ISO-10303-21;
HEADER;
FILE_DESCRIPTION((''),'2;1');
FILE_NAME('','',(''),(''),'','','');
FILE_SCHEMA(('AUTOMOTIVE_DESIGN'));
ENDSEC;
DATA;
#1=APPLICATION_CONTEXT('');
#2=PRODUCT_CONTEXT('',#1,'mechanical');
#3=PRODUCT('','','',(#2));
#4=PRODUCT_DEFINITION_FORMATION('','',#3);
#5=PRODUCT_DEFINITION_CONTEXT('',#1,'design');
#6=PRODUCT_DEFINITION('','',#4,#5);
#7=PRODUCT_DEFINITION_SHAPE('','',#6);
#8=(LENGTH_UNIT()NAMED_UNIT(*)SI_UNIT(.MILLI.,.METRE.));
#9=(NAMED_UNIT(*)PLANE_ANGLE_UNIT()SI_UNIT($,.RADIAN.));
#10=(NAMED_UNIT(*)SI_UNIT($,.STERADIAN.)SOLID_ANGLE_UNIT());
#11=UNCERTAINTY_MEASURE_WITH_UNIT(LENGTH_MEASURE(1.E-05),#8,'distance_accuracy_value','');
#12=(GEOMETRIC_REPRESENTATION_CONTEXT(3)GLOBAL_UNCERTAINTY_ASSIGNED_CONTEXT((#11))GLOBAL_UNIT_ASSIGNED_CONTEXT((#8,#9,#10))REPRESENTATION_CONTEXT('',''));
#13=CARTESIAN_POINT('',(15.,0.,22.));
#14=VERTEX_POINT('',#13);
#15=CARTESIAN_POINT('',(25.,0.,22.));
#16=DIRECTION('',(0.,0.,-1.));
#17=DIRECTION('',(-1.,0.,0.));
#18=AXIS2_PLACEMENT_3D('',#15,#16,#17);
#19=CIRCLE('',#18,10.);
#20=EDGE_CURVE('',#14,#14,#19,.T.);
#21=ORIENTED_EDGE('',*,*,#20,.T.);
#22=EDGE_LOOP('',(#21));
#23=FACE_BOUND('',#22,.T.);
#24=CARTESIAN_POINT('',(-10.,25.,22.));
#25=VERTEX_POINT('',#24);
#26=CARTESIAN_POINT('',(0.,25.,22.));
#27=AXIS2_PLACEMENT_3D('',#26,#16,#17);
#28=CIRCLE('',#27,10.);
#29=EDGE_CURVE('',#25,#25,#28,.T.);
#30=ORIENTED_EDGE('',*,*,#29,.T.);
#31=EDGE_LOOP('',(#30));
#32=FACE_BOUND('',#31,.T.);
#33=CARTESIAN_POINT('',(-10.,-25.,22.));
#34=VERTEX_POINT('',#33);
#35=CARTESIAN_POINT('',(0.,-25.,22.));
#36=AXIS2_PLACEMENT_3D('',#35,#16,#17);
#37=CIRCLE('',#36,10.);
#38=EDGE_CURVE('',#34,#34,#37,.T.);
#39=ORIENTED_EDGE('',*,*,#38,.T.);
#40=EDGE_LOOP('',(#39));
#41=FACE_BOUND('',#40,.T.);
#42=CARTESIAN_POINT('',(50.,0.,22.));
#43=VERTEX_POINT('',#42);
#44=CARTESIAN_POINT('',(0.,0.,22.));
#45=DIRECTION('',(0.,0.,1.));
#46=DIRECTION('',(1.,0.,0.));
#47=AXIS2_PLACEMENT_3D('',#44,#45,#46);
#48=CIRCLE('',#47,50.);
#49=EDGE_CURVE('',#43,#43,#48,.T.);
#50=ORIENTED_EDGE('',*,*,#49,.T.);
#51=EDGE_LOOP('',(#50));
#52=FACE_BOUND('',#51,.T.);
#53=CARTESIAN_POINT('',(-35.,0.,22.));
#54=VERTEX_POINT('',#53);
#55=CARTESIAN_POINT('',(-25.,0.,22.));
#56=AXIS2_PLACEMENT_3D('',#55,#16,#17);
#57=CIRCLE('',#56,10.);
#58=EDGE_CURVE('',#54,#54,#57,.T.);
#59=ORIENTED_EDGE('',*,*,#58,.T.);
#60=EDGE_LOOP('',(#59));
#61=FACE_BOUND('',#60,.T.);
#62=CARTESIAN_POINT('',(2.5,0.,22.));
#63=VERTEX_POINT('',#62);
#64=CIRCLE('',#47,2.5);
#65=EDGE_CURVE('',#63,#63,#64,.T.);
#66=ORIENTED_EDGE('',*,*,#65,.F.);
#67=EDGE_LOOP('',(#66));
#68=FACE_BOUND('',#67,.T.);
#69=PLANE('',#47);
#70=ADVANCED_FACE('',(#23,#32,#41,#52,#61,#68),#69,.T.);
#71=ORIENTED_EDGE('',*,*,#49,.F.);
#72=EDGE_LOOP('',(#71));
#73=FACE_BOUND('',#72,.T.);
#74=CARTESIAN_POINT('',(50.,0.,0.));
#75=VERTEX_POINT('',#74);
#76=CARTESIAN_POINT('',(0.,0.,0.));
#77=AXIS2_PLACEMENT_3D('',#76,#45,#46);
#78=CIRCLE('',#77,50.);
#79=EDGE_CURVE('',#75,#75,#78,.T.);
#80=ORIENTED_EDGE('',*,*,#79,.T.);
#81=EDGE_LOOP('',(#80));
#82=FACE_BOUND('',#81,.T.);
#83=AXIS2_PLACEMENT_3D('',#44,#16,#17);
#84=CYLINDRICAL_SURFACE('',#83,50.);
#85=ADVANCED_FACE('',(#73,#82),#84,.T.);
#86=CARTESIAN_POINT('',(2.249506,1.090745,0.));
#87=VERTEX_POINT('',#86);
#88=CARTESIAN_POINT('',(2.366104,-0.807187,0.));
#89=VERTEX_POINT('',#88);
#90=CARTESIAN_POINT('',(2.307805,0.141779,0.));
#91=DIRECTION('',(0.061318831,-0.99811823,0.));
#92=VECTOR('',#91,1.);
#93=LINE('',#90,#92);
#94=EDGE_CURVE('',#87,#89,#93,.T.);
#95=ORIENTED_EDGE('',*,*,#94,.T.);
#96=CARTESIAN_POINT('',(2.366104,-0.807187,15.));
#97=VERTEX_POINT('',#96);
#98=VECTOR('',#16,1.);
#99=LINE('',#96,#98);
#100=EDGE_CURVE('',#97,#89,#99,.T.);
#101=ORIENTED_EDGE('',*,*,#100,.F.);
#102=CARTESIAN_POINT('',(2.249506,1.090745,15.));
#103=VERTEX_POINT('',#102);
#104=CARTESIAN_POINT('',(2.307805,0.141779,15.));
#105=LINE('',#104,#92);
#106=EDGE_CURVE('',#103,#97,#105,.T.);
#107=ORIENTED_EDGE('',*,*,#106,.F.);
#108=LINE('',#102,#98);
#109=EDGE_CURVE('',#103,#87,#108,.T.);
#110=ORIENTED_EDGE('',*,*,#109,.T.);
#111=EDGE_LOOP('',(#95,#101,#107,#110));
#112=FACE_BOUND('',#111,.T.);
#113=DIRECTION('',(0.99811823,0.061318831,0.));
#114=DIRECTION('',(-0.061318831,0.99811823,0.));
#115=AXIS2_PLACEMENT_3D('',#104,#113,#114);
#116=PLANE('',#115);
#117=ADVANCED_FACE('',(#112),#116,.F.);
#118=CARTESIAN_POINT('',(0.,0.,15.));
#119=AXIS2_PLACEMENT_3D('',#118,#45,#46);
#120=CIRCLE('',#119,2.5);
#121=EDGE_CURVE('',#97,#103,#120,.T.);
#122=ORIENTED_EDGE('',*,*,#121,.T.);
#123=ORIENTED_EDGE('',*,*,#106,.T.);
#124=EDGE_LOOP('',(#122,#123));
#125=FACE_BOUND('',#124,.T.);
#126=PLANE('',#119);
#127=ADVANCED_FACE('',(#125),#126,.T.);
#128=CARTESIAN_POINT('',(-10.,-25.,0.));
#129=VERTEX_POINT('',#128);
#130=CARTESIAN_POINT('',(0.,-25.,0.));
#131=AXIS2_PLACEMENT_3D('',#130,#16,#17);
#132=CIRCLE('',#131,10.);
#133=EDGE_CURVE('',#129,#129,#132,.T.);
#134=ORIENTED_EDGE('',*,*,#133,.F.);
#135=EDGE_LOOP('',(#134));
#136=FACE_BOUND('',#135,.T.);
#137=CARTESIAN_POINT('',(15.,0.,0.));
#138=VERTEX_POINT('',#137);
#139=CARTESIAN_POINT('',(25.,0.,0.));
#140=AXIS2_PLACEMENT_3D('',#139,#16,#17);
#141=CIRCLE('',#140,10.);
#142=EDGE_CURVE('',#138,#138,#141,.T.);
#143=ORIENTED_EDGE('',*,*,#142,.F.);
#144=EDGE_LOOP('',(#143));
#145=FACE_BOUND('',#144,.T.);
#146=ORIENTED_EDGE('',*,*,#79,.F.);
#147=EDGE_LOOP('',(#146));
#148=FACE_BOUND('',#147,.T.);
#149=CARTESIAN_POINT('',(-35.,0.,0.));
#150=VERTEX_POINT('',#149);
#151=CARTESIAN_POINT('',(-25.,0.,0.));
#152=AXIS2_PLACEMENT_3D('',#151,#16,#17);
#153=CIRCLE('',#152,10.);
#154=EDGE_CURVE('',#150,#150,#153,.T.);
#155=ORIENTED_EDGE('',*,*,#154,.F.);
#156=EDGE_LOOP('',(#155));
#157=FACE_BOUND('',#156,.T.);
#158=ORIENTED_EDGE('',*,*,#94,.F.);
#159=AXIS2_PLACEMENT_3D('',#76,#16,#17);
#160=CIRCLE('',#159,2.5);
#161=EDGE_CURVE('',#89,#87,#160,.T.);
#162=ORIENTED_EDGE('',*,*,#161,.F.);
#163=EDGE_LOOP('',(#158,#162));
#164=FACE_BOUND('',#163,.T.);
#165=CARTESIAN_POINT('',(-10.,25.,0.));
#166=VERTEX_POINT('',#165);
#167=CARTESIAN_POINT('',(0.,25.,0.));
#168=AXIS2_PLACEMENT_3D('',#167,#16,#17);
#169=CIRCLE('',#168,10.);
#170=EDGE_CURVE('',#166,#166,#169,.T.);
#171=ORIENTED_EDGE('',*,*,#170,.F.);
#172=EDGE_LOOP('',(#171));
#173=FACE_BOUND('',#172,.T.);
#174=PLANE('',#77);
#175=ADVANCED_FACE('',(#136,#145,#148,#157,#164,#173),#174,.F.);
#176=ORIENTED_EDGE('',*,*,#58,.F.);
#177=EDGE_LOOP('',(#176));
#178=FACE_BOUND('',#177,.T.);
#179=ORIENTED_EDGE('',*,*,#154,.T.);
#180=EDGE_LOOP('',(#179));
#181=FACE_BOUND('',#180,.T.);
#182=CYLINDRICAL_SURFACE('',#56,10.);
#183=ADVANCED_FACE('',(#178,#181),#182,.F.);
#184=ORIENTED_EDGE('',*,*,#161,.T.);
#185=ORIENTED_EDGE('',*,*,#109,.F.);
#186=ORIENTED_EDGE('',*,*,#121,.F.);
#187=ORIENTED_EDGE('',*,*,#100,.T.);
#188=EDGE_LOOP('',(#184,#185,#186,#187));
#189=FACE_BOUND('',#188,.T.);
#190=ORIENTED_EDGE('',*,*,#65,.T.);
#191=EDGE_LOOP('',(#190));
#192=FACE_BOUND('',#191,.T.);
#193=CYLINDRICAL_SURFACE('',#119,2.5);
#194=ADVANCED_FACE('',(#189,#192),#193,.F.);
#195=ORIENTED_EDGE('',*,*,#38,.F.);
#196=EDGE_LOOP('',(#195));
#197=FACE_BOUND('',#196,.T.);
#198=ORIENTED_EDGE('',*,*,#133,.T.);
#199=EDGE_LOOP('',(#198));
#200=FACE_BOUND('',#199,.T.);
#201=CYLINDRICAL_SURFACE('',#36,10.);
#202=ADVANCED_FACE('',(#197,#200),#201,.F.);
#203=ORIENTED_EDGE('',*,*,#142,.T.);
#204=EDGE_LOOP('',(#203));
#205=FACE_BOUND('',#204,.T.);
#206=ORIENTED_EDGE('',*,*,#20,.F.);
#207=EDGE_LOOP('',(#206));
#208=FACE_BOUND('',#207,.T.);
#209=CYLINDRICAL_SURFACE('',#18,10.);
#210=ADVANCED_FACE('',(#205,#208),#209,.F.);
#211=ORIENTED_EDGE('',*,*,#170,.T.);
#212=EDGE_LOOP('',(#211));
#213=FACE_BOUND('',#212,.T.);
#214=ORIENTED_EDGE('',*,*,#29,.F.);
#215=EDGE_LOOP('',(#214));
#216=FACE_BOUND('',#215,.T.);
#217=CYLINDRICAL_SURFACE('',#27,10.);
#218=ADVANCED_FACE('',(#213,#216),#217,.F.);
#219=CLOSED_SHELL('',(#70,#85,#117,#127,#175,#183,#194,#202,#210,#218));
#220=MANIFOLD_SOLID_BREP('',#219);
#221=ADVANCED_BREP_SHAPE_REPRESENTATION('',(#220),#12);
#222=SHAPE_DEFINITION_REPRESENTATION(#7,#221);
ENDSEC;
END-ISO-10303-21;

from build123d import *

# Parameters (mm, degrees)
ESQUISSE1_R             = 50
BOSS_EXTRU_1_DEPTH      = 22
ESQUISSE2_R             = 2.5
ENL_V_MAT_EXTRU_1_DEPTH = 7
ENL_V_START             = -15
ENL_V_MAT_EXTRU_3_DEPTH = 15
ESQUISSE4_R             = 10
ENL_V_MAT_EXTRU_5_DEPTH = 22
ESQUISSE5_R             = 10
ENL_V_MAT_EXTRU_6_DEPTH = 22
ESQUISSE6_R             = 10
ENL_V_MAT_EXTRU_7_DEPTH = 22
ESQUISSE7_R             = 10
ENL_V_MAT_EXTRU_8_DEPTH = 22


with BuildPart() as part:
    # Esquisse1 → Boss.-Extru.1 (new body)
    with BuildSketch(Plane.XY):
        Circle(ESQUISSE1_R)
    extrude(amount=BOSS_EXTRU_1_DEPTH)

    # Esquisse2 → Enlèv. mat.-Extru.1 (cut)
    with BuildSketch(Plane.XY.offset(22)):
        Circle(ESQUISSE2_R)
    extrude(amount=-ENL_V_MAT_EXTRU_1_DEPTH, mode=Mode.SUBTRACT)

    # Esquisse3 → Enlèv. mat.-Extru.3 (cut)
    with BuildSketch(Plane(origin=(0, 0, 0), x_dir=(-1, 0, 0), z_dir=(0, 0, -1)).offset(ENL_V_START)):
        with BuildLine():
            ThreePointArc((2.5, 0), (0.559569372, 2.436571796), (-2.249505694, 1.09074476))
            Line((-2.249505694, 1.09074476), (-2.366104086, -0.807187373))
            ThreePointArc((-2.366104086, -0.807187373), (0.409108657, -2.466298868), (2.5, 0))
        make_face()
    extrude(amount=ENL_V_MAT_EXTRU_3_DEPTH, mode=Mode.SUBTRACT)

    # Esquisse4 → Enlèv. mat.-Extru.5 (cut)
    with BuildSketch(Plane(origin=(0, 0, 0), x_dir=(-1, 0, 0), z_dir=(0, 0, -1))):
        with Locations((0, 25)):
            Circle(ESQUISSE4_R)
    extrude(amount=-ENL_V_MAT_EXTRU_5_DEPTH, mode=Mode.SUBTRACT)

    # Esquisse5 → Enlèv. mat.-Extru.6 (cut)
    with BuildSketch(Plane(origin=(0, 0, 0), x_dir=(-1, 0, 0), z_dir=(0, 0, -1))):
        with Locations((25, 0)):
            Circle(ESQUISSE5_R)
    extrude(amount=-ENL_V_MAT_EXTRU_6_DEPTH, mode=Mode.SUBTRACT)

    # Esquisse6 → Enlèv. mat.-Extru.7 (cut)
    with BuildSketch(Plane(origin=(0, 0, 0), x_dir=(-1, 0, 0), z_dir=(0, 0, -1))):
        with Locations((0, -25)):
            Circle(ESQUISSE6_R)
    extrude(amount=-ENL_V_MAT_EXTRU_7_DEPTH, mode=Mode.SUBTRACT)

    # Esquisse7 → Enlèv. mat.-Extru.8 (cut)
    with BuildSketch(Plane(origin=(0, 0, 0), x_dir=(-1, 0, 0), z_dir=(0, 0, -1))):
        with Locations((-25, 0)):
            Circle(ESQUISSE7_R)
    extrude(amount=-ENL_V_MAT_EXTRU_8_DEPTH, mode=Mode.SUBTRACT)


solid = part.part
